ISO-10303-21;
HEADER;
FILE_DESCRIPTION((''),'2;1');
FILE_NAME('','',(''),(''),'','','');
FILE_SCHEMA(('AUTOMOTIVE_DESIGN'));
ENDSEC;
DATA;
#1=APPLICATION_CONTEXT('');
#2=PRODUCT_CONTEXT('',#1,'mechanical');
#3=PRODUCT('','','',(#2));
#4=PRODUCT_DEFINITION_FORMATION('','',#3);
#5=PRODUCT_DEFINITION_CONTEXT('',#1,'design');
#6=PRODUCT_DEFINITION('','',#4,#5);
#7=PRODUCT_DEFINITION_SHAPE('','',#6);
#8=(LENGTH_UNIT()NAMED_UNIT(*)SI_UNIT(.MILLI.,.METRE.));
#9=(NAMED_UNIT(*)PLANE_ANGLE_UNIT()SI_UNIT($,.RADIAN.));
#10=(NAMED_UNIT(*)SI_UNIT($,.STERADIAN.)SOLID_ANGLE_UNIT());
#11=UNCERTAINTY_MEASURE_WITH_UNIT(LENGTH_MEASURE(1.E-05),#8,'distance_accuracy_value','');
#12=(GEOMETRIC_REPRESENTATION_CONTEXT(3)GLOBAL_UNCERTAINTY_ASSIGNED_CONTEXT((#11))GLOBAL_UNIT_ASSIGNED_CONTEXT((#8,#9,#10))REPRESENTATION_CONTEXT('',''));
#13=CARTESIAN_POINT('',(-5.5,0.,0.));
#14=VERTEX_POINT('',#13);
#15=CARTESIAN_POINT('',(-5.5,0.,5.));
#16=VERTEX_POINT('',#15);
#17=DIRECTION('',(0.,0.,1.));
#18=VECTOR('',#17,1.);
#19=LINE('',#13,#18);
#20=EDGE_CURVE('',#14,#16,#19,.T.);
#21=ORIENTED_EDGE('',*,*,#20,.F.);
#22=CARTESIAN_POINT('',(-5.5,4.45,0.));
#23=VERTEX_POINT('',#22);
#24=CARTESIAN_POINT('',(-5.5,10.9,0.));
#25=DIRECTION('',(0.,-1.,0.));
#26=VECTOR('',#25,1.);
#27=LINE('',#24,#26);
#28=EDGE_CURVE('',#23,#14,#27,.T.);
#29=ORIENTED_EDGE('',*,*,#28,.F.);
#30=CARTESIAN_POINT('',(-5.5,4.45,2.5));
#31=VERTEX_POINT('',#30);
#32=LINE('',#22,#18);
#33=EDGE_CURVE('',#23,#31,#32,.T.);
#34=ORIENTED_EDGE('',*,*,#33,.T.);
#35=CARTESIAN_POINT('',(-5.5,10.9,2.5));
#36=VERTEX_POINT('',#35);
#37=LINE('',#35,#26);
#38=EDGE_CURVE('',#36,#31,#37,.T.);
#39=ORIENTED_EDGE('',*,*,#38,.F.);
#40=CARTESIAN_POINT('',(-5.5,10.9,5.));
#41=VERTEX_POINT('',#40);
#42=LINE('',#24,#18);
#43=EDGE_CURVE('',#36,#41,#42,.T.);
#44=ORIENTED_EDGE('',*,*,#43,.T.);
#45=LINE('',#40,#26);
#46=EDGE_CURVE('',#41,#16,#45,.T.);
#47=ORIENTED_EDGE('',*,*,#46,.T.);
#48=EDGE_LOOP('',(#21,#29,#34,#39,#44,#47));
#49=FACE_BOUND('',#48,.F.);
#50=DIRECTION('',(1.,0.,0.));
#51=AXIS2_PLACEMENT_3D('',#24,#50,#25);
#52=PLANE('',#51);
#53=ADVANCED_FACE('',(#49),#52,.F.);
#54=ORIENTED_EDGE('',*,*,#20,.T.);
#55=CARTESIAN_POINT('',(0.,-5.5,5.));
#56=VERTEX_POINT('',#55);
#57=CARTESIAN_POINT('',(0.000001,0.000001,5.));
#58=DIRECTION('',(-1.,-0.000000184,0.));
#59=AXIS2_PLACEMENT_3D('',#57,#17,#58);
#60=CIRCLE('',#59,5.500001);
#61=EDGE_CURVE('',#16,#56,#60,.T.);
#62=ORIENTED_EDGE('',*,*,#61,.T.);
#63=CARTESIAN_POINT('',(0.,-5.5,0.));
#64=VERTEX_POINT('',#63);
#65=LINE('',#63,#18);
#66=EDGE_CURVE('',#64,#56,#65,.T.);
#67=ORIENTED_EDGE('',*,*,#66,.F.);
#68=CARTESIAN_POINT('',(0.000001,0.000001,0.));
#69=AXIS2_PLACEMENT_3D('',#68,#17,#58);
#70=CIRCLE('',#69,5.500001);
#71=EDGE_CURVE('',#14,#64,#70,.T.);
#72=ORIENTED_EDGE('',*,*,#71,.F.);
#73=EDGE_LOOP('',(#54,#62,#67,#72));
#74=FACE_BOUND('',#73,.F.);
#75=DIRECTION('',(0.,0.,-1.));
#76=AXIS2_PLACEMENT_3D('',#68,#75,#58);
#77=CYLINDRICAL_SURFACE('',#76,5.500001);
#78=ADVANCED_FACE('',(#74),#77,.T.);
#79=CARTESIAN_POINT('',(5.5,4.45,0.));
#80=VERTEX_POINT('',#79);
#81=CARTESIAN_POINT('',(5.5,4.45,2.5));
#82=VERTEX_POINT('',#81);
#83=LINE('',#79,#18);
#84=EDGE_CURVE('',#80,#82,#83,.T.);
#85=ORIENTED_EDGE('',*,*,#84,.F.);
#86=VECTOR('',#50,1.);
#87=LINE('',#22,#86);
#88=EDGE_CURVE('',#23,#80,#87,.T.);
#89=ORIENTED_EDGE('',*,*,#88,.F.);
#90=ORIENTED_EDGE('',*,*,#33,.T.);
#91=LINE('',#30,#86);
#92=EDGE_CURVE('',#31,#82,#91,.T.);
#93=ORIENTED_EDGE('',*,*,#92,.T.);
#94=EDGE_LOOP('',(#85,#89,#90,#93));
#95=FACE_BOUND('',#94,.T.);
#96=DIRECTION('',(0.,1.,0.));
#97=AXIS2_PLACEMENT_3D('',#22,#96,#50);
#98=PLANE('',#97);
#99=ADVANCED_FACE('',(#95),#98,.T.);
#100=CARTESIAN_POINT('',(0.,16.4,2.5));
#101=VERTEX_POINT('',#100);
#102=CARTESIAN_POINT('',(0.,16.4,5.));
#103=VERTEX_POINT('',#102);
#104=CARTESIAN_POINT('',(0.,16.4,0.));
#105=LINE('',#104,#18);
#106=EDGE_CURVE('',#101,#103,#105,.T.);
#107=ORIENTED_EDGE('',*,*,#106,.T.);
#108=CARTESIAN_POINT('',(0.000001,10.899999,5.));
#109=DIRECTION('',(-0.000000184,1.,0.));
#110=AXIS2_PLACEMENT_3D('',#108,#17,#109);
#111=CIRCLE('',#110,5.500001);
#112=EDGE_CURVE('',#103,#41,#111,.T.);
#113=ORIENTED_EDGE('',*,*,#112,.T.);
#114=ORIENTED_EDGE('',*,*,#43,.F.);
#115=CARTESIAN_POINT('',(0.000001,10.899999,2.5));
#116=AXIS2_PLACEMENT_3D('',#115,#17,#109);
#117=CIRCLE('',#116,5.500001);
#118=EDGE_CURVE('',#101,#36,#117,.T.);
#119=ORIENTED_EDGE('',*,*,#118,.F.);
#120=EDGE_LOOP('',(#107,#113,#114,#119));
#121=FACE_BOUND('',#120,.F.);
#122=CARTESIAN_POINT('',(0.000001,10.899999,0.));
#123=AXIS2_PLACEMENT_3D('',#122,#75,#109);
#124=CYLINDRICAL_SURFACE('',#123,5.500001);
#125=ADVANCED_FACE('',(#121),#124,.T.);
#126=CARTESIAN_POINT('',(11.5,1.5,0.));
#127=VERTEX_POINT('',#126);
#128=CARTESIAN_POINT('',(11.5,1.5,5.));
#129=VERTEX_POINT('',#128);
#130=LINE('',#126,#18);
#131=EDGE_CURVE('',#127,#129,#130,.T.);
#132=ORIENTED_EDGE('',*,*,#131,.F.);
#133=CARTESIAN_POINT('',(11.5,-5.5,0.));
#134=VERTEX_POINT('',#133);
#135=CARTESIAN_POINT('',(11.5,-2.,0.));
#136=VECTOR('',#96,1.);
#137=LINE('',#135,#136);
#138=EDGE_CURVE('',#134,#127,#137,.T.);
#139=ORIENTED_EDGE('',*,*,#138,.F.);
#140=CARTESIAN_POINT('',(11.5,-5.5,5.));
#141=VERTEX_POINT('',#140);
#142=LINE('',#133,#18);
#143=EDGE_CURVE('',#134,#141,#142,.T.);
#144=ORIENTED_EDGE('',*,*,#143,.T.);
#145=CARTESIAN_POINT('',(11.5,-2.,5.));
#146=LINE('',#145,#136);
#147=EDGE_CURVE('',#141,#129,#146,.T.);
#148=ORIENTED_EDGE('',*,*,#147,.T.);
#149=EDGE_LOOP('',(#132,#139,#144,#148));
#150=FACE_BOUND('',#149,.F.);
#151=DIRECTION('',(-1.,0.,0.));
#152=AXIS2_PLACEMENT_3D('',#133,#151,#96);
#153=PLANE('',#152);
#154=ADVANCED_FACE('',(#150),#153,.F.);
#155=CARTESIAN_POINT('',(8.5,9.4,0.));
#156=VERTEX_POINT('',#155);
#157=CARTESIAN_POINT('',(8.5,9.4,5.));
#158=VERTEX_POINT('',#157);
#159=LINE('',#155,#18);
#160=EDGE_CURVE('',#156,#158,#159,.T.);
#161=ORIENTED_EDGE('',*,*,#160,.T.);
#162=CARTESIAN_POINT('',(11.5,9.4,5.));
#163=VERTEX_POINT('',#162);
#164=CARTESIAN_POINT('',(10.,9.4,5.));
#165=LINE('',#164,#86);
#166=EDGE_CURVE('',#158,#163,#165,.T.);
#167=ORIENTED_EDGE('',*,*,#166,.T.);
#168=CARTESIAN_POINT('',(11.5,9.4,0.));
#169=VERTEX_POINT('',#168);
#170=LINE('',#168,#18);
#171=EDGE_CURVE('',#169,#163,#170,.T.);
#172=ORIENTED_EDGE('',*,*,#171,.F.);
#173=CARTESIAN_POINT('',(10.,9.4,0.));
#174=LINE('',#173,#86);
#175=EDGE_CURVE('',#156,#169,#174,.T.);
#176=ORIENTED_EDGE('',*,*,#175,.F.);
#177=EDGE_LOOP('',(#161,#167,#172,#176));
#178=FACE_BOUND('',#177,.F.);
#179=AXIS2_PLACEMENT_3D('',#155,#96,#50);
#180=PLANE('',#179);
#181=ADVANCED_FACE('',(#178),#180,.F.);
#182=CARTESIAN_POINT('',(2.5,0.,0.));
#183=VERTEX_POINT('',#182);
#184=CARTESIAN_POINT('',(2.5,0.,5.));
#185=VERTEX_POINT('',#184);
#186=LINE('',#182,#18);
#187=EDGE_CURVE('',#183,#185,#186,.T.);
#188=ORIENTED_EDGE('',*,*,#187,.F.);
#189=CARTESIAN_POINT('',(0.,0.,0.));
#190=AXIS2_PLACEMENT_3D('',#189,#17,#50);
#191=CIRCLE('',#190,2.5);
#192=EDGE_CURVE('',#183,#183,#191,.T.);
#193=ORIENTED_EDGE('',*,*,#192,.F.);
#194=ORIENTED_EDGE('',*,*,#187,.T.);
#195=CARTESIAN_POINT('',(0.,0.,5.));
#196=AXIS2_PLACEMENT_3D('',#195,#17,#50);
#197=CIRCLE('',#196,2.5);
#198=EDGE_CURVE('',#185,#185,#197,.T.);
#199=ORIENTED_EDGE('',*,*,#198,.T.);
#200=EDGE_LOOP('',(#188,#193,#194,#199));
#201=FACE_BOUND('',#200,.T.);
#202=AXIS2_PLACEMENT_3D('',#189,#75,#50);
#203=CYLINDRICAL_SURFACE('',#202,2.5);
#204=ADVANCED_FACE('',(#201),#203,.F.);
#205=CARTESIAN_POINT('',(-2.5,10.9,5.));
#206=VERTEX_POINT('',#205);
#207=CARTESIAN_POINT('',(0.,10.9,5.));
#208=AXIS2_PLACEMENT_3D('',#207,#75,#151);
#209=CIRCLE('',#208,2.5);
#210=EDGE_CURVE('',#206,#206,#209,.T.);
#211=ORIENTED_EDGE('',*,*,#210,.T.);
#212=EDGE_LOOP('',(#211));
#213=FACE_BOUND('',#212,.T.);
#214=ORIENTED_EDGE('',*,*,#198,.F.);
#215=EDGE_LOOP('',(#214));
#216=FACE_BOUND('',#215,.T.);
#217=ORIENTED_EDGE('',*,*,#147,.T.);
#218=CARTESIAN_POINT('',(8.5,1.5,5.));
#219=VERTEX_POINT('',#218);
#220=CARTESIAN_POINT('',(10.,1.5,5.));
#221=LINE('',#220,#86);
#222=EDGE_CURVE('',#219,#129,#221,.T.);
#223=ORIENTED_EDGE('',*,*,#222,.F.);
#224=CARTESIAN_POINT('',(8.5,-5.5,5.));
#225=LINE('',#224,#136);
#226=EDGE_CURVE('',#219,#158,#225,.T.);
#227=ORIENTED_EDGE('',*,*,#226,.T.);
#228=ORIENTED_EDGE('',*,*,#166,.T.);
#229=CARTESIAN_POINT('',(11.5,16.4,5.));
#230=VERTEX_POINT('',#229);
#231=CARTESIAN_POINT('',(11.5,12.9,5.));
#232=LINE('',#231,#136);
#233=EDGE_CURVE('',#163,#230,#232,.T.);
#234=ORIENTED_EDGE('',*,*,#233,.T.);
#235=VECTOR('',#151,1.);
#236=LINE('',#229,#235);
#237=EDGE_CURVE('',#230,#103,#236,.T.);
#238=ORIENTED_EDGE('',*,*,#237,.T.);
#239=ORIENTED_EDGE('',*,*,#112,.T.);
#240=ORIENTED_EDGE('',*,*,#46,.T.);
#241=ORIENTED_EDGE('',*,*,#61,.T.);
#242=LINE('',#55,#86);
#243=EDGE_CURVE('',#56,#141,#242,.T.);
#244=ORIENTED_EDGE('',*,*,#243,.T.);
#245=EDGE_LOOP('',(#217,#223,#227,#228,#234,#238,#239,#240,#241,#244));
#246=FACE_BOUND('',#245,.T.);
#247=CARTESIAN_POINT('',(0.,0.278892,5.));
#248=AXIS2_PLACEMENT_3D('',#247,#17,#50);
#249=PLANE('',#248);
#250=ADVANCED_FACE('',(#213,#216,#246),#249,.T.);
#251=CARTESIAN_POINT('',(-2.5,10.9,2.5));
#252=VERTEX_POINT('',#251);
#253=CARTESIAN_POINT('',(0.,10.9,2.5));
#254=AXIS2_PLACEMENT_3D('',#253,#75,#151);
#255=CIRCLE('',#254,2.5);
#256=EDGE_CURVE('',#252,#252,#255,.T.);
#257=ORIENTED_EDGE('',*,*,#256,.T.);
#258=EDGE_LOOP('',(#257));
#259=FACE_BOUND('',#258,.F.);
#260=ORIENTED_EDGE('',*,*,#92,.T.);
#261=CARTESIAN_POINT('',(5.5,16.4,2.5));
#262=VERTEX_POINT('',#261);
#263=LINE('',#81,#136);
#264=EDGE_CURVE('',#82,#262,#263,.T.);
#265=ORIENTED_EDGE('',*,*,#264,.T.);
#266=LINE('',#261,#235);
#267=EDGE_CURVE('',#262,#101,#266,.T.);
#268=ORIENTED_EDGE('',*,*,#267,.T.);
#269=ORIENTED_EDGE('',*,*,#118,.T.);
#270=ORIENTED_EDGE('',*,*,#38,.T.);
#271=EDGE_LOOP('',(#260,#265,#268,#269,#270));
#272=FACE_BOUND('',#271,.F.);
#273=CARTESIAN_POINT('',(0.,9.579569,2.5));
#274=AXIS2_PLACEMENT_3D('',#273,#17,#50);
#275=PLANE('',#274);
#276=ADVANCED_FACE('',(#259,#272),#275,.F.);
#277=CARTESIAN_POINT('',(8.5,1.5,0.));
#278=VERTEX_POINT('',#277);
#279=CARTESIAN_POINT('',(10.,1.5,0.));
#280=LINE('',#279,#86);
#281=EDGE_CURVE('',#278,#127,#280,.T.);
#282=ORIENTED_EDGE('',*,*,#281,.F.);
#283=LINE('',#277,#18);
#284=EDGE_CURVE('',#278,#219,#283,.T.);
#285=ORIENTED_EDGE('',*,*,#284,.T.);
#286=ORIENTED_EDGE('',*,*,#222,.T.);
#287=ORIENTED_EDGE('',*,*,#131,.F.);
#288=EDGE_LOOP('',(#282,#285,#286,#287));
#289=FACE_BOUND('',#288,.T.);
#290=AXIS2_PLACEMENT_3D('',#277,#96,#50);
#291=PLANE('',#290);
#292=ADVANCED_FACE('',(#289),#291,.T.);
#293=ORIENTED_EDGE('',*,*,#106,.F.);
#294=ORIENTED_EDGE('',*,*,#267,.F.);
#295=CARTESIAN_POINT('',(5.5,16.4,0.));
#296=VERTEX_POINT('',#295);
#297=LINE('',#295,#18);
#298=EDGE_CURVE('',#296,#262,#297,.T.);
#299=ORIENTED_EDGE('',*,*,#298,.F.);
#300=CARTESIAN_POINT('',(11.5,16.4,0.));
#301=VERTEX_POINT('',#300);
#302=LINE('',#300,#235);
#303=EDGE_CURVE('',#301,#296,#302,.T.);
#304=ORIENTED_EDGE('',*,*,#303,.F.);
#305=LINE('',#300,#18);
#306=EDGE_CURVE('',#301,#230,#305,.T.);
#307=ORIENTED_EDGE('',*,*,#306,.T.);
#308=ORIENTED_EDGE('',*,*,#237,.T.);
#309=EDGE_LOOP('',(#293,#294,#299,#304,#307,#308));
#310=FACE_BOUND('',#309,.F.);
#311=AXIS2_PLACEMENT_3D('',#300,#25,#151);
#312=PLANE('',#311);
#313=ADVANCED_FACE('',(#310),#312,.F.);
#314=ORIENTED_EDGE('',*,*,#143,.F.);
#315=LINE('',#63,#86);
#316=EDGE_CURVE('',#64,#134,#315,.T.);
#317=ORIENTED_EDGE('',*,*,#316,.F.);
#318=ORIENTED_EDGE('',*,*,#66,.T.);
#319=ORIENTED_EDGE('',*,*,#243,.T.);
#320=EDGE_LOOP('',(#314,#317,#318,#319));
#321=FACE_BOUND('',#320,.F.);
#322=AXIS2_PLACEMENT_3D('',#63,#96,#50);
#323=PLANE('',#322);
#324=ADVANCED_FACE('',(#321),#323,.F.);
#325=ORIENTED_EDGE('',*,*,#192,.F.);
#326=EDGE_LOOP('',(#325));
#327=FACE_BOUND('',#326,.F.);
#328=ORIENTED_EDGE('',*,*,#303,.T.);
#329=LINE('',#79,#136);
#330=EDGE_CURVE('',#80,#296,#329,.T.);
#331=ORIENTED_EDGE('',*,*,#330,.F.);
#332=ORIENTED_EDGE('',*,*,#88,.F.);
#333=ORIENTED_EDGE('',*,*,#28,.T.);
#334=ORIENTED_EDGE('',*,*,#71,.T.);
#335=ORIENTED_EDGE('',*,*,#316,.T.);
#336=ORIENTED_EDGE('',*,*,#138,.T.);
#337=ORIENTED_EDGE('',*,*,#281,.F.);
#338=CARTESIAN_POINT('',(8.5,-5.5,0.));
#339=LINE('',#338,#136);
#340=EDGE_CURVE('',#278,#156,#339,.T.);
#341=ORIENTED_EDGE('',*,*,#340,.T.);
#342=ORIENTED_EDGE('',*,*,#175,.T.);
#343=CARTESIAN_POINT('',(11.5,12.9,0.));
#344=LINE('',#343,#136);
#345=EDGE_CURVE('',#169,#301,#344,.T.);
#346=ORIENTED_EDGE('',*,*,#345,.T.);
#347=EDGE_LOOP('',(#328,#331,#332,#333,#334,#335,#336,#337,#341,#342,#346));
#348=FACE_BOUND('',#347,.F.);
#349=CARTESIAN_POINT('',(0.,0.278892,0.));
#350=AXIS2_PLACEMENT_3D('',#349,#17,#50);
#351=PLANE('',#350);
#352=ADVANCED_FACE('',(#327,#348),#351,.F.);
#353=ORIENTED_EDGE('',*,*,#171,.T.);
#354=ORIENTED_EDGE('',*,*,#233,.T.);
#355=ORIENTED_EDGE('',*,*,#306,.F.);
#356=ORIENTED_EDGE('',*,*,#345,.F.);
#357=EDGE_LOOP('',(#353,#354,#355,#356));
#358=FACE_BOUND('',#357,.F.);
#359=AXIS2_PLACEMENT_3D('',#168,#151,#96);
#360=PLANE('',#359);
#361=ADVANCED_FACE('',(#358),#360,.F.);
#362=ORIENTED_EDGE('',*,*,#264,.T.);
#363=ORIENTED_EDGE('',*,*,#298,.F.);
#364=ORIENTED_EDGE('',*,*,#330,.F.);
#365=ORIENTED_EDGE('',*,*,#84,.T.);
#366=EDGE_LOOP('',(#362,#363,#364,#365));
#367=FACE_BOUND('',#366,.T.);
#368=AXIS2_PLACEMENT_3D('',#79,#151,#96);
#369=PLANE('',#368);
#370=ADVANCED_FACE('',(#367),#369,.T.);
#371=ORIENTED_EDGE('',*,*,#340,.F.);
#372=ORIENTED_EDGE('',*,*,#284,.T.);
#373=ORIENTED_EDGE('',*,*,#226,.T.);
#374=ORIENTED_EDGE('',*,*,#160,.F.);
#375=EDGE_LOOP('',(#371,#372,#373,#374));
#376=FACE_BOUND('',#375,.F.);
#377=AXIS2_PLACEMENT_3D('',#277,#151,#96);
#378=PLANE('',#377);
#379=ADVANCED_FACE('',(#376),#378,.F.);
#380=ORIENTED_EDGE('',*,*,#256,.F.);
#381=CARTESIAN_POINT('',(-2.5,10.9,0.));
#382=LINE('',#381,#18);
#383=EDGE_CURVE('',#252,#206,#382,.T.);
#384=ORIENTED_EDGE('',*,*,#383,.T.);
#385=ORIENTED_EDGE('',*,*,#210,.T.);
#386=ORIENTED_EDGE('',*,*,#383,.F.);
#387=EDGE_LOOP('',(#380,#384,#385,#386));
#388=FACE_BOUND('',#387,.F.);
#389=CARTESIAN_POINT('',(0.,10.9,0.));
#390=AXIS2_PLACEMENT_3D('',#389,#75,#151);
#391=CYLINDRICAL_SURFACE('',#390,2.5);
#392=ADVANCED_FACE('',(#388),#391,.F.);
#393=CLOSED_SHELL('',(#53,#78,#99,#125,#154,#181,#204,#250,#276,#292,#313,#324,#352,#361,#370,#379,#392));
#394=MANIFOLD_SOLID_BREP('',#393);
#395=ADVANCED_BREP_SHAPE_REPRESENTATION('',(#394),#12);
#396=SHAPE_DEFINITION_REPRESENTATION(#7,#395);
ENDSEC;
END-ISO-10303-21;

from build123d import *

# Parameters (mm, degrees)
F0_R     = 2.5
F0_W     = 3
F0_H     = 7
F1_DEPTH = 5
F2_DEPTH = 2.5


with BuildPart() as f1:
    # F0 (on Top) → F1 (new body)
    with BuildSketch(Plane.XY):
        with BuildLine():
            Line((-5.5, 4.45), (-5.5, 0))
            ThreePointArc((-5.5, 0), (-3.889087, -3.889087), (0, -5.5))
            ThreePointArc((0, -5.5), (3.889087, -3.889087), (5.5, 0))
            Line((5.5, 0), (5.5, 4.45))
            Line((5.5, 4.45), (-5.5, 4.45))
        make_face()
        Circle(F0_R, mode=Mode.SUBTRACT)
        with BuildLine():
            Line((-5.5, 5.45), (-5.5, 4.45))
            Line((-5.5, 4.45), (5.5, 4.45))
            Line((5.5, 4.45), (5.5, 10.9))
            ThreePointArc((5.5, 10.9), (3.889087, 14.789087), (0, 16.4))
            ThreePointArc((0, 16.4), (-3.889087, 14.789087), (-5.5, 10.9))
            Line((-5.5, 10.9), (-5.5, 5.45))
        make_face()
        with BuildLine():
            ThreePointArc((2.5, 10.9), (0, 8.4), (-2.5, 10.9))
            ThreePointArc((-2.5, 10.9), (0, 13.4), (2.5, 10.9))
        make_face(mode=Mode.SUBTRACT)
        with BuildLine():
            ThreePointArc((0, 16.4), (3.889087, 14.789087), (5.5, 10.9))
            Line((5.5, 10.9), (5.5, 16.4))
            Line((5.5, 16.4), (0, 16.4))
        make_face()
        with BuildLine():
            ThreePointArc((5.5, 0), (3.889087, -3.889087), (0, -5.5))
            Line((0, -5.5), (8.5, -5.5))
            Line((8.5, -5.5), (8.5, 1.5))
            Line((8.5, 1.5), (8.5, 9.4))
            Line((8.5, 9.4), (8.5, 16.4))
            Line((8.5, 16.4), (5.5, 16.4))
            Line((5.5, 16.4), (5.5, 10.9))
            Line((5.5, 10.9), (5.5, 4.45))
            Line((5.5, 4.45), (5.5, 0))
        make_face()
        with Locations((10, -2)):
            Rectangle(F0_W, F0_H)
        with Locations((10, 12.9)):
            Rectangle(F0_W, F0_H)
    extrude(amount=F1_DEPTH)

    # F0 (on Top) → F2 (cut)
    with BuildSketch(Plane.XY):
        with BuildLine():
            Line((-5.5, 5.45), (-5.5, 4.45))
            Line((-5.5, 4.45), (5.5, 4.45))
            Line((5.5, 4.45), (5.5, 10.9))
            ThreePointArc((5.5, 10.9), (3.889087, 14.789087), (0, 16.4))
            ThreePointArc((0, 16.4), (-3.889087, 14.789087), (-5.5, 10.9))
            Line((-5.5, 10.9), (-5.5, 5.45))
        make_face()
        with BuildLine():
            ThreePointArc((2.5, 10.9), (0, 8.4), (-2.5, 10.9))
            ThreePointArc((-2.5, 10.9), (0, 13.4), (2.5, 10.9))
        make_face(mode=Mode.SUBTRACT)
        with BuildLine():
            ThreePointArc((0, 16.4), (3.889087, 14.789087), (5.5, 10.9))
            Line((5.5, 10.9), (5.5, 16.4))
            Line((5.5, 16.4), (0, 16.4))
        make_face()
    extrude(amount=F2_DEPTH, mode=Mode.SUBTRACT)


solid = f1.part
